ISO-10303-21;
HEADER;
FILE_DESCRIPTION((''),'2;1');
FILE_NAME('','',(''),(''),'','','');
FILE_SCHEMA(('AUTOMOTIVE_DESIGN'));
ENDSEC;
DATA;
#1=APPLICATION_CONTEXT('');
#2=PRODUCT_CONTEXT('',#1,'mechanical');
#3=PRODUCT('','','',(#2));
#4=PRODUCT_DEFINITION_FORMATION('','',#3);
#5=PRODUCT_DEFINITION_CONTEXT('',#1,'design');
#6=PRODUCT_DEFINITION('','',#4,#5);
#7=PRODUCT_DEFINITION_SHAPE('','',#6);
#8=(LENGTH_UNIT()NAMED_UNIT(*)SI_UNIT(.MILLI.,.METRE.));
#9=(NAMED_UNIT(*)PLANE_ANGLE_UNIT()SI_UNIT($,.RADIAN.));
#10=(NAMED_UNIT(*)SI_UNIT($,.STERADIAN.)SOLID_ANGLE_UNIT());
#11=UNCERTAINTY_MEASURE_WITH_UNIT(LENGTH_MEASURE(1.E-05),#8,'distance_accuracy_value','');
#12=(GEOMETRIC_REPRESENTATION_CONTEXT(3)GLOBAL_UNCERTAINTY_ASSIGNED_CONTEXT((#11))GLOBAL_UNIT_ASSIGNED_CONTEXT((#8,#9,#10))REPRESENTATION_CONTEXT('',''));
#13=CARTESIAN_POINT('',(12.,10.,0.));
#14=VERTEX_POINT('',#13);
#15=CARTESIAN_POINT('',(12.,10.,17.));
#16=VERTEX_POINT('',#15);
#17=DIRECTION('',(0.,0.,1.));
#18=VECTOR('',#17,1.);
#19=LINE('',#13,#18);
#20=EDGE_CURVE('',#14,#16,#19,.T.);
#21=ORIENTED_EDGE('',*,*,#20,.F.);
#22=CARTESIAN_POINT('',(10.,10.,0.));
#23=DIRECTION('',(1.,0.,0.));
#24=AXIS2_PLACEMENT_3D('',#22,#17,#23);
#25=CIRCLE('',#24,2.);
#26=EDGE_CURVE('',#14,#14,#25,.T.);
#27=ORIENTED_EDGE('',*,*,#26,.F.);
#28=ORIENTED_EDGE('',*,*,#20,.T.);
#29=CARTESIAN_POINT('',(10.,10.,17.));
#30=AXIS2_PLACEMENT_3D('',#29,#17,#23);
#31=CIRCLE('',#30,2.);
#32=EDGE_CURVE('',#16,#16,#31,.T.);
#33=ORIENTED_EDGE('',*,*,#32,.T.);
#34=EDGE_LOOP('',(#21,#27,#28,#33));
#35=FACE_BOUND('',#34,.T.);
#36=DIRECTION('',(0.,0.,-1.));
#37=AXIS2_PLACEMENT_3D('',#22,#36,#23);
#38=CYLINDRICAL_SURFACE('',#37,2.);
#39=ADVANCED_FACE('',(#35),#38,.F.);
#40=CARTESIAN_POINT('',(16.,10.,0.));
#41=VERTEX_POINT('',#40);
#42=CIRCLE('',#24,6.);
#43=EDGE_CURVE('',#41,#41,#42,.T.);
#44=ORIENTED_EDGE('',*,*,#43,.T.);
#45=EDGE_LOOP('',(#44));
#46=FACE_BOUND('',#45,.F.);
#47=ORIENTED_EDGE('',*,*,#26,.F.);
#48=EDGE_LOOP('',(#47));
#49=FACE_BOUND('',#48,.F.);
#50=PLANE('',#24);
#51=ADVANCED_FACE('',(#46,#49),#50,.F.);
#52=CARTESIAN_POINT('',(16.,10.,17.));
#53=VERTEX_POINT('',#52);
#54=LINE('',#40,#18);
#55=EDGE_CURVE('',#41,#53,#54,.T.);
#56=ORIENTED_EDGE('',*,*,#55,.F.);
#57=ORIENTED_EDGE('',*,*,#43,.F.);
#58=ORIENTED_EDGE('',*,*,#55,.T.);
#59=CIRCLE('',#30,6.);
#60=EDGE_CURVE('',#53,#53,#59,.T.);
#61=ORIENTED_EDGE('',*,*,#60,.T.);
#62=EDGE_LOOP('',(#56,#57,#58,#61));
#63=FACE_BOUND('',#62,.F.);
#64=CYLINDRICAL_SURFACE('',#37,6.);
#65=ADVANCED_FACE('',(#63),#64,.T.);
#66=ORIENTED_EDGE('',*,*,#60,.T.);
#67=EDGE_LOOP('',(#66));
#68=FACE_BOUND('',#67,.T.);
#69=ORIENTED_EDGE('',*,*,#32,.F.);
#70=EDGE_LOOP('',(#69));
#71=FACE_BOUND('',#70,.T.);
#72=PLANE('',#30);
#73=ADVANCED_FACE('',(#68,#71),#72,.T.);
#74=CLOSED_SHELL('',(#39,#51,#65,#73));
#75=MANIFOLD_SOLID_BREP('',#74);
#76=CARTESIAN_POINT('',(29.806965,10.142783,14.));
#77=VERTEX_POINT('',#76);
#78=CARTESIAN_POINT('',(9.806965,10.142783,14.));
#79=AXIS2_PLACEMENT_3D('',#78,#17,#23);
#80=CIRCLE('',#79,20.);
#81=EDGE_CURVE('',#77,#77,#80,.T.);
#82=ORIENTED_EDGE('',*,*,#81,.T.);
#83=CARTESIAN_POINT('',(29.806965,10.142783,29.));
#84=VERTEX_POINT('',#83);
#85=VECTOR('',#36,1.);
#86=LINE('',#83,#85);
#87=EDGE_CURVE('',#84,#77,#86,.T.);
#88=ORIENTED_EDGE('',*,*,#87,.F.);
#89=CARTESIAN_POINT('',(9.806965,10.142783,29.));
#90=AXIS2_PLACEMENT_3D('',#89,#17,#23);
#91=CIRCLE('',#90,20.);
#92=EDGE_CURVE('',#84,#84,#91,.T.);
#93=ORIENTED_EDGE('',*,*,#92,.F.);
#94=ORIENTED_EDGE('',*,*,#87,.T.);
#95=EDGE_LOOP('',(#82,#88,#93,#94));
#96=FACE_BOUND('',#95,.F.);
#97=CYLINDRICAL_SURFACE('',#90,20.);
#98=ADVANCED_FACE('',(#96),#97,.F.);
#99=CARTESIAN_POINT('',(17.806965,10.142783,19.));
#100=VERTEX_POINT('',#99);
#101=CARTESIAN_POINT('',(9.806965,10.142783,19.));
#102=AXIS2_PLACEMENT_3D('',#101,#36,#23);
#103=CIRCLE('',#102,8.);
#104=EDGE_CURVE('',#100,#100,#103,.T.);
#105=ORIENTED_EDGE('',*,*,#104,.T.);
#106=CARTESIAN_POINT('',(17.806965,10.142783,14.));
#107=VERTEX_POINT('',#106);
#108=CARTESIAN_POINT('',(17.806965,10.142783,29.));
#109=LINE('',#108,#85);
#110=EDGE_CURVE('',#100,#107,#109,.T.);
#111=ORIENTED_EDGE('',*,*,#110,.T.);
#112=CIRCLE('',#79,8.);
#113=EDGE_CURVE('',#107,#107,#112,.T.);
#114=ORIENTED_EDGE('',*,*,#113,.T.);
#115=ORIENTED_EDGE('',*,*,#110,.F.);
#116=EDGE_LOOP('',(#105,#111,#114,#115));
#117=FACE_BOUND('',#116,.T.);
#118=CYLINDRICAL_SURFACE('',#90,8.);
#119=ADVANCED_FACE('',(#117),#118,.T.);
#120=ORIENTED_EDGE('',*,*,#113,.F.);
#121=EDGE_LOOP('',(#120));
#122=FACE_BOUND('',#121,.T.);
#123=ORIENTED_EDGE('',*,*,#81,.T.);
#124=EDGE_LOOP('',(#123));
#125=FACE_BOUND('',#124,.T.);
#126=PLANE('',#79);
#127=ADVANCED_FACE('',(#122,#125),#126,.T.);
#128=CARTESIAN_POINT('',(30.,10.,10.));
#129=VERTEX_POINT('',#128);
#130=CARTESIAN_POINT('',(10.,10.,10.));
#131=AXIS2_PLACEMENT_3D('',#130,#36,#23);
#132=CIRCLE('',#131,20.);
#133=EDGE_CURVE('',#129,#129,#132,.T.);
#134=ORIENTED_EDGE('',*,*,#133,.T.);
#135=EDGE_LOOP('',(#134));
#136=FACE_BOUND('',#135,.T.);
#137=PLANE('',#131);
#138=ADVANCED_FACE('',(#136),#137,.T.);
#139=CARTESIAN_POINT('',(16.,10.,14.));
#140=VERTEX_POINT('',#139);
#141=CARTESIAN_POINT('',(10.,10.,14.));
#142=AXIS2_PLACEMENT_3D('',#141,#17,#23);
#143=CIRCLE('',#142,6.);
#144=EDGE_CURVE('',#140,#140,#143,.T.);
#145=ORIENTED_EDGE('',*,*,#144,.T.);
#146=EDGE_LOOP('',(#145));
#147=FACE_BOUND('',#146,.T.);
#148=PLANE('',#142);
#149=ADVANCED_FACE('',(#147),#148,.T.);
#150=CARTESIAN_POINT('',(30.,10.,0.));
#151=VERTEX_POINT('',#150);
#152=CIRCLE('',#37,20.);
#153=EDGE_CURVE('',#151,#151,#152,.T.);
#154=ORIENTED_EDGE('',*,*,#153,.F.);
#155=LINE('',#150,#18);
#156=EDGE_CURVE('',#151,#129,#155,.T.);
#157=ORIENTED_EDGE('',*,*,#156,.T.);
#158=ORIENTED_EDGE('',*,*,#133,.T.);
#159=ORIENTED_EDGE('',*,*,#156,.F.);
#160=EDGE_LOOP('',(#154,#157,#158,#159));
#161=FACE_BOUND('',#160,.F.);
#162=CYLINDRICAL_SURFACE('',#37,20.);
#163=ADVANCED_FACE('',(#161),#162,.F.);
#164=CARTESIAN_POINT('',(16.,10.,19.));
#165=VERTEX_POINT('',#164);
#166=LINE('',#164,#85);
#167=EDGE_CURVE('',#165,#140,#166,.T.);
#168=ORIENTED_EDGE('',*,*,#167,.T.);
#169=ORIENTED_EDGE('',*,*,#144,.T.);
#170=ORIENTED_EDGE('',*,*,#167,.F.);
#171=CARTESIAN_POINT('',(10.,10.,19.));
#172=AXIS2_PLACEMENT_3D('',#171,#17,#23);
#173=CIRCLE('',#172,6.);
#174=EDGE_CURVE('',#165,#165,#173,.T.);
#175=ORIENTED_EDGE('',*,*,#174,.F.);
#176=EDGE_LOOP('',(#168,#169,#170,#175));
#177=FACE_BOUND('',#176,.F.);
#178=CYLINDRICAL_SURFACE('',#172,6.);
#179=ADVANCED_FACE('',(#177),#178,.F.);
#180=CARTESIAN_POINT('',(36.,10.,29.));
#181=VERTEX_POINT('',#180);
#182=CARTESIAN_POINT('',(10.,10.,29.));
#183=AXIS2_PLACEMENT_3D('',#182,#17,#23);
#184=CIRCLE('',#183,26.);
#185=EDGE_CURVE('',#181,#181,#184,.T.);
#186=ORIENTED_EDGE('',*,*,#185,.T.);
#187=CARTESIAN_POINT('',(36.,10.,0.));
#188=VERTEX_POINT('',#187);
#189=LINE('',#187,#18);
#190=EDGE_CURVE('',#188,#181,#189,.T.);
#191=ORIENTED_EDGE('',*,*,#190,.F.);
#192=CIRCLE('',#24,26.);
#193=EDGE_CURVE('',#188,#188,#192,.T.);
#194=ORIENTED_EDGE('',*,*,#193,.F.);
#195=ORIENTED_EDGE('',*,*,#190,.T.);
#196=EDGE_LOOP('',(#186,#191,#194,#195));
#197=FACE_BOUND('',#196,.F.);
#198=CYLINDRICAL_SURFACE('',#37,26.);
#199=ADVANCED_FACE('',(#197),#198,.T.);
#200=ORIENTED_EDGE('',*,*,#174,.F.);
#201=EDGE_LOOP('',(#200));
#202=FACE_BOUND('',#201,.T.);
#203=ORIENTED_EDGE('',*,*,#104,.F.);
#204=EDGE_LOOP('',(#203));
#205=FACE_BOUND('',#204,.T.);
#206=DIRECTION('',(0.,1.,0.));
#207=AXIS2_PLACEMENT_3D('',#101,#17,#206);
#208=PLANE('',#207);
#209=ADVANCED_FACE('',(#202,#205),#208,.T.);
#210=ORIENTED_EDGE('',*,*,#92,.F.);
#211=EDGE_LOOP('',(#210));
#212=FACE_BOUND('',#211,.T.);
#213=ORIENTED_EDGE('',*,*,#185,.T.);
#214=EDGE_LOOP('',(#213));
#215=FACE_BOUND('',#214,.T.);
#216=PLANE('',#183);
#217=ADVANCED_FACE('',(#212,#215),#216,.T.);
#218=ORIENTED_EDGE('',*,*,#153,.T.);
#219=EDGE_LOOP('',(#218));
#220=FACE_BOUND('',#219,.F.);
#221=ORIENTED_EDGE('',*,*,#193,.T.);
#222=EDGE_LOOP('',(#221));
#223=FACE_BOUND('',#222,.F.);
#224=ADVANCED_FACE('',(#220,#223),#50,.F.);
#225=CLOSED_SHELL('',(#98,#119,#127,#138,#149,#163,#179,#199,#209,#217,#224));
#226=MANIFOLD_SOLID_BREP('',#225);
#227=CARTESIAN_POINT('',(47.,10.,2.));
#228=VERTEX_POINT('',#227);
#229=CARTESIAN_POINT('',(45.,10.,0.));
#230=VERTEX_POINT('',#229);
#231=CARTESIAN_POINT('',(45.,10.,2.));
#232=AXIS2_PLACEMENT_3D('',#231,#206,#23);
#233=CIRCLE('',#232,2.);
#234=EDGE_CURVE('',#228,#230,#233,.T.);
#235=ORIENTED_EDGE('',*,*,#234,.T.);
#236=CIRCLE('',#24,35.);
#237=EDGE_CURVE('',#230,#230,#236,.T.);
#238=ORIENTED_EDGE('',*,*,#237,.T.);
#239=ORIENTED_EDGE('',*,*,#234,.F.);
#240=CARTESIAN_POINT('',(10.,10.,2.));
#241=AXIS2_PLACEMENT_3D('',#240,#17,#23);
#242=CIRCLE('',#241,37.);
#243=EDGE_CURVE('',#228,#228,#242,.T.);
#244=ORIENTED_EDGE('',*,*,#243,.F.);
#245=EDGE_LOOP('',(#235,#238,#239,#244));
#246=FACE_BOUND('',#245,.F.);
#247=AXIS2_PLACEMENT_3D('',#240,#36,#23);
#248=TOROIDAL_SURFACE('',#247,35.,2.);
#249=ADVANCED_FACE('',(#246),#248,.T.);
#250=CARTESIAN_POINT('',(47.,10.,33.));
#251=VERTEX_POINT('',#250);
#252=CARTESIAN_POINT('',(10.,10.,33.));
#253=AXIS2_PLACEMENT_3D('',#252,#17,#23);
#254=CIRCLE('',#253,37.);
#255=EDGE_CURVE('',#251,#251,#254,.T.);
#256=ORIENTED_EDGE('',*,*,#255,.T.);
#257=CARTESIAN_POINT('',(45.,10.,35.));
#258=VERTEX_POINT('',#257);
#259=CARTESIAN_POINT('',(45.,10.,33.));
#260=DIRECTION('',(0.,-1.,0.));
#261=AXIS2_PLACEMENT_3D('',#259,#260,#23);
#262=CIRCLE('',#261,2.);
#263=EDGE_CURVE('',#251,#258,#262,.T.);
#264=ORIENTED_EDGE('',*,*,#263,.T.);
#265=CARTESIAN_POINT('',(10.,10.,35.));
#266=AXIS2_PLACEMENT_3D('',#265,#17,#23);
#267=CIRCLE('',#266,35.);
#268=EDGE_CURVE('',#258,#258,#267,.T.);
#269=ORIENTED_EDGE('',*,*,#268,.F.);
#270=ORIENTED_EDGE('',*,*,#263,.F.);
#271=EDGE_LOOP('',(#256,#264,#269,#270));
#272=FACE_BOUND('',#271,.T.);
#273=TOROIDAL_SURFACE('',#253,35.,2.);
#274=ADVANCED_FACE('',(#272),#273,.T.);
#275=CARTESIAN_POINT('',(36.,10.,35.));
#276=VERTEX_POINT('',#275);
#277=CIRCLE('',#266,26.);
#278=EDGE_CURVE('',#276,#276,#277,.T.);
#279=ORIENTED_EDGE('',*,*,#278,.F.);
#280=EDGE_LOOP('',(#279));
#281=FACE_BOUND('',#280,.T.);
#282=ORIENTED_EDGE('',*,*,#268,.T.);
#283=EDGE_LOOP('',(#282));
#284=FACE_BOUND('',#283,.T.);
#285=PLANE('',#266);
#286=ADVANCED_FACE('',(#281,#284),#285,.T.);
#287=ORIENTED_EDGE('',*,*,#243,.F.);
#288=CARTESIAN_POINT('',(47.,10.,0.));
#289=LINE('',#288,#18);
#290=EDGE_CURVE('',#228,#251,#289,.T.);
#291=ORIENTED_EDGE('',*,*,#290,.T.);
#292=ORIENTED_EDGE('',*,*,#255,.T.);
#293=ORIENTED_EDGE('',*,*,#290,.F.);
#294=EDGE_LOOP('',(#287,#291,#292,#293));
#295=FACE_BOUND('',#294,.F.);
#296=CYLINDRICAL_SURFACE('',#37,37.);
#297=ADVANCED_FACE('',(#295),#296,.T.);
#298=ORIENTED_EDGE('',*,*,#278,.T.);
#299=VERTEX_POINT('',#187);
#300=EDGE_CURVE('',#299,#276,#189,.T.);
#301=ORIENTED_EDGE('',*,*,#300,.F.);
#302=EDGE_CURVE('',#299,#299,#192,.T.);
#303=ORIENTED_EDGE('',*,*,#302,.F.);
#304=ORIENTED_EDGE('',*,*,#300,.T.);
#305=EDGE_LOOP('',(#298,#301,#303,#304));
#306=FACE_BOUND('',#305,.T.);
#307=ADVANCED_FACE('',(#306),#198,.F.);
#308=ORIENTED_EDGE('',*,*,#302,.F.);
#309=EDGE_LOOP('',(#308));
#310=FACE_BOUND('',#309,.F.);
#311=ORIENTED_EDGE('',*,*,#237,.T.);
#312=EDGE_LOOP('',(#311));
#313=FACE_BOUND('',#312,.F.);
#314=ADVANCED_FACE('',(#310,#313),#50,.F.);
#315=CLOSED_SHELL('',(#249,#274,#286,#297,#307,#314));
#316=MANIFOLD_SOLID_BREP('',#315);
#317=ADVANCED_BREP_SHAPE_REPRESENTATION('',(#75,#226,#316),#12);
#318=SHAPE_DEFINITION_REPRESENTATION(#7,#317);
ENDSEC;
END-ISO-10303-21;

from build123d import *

# Parameters (mm, degrees)
SKETCH_R          = 37
SKETCH_R_2        = 26
PAD_DEPTH         = 35
FILLET_R          = 2
SKETCH001_R       = 26
PAD001_DEPTH      = 29
SKETCH002_R       = 20
SKETCH002_R_2     = 8
POCKET_DEPTH      = 15
SKETCH003_R       = 20
POCKET001_DEPTH   = 10
POCKET001_FACE9_R = 8
POCKET002_DEPTH   = 10
SKETCH004_R       = 6
POCKET003_DEPTH   = 5
SKETCH005_R       = 6
SKETCH005_R_2     = 2
PAD002_DEPTH      = 17


with BuildPart() as outer_rubber:
    # Sketch → Pad (new body)
    with BuildSketch(Plane.XY):
        with Locations((10, 10)):
            Circle(SKETCH_R)
        with Locations((10, 10)):
            Circle(SKETCH_R_2, mode=Mode.SUBTRACT)
    extrude(amount=PAD_DEPTH)

    # Fillet
    fillet_edges = [outer_rubber.edges().sort_by_distance(p)[0] for p in [
        (-27, 10, 35),
        (-27, 10, 0),
    ]]
    fillet(fillet_edges, radius=FILLET_R)


with BuildPart() as rim:
    # Sketch001 → Pad001 (new body)
    with BuildSketch(Plane.XY):
        with Locations((10, 10)):
            Circle(SKETCH001_R)
    extrude(amount=PAD001_DEPTH)

    # Sketch002 (on Face3 of Pad001) → Pocket (cut)
    with BuildSketch(Plane.XY.offset(29)):
        with Locations((9.806965, 10.142783)):
            Circle(SKETCH002_R)
        with Locations((9.806965, 10.142783)):
            Circle(SKETCH002_R_2, mode=Mode.SUBTRACT)
    extrude(amount=-POCKET_DEPTH, mode=Mode.SUBTRACT)

    # Sketch003 (on Face2 of Pocket) → Pocket001 (cut)
    with BuildSketch(Plane(origin=(0, 0, 0), x_dir=(1, 0, 0), z_dir=(0, 0, -1))):
        with Locations((10, -10)):
            Circle(SKETCH003_R)
    extrude(amount=-POCKET001_DEPTH, mode=Mode.SUBTRACT)

    # Pocket001 Face9 → Pocket002 (cut)
    with BuildSketch(Plane(origin=(9.806965, 10.142783, 29), x_dir=(0, 1, 0), z_dir=(0, 0, 1))):
        Circle(POCKET001_FACE9_R)
    extrude(amount=-POCKET002_DEPTH, mode=Mode.SUBTRACT)

    # Sketch004 (on Face9 of Pocket002) → Pocket003 (cut)
    with BuildSketch(Plane.XY.offset(19)):
        with Locations((10, 10)):
            Circle(SKETCH004_R)
    extrude(amount=-POCKET003_DEPTH, mode=Mode.SUBTRACT)


with BuildPart() as coupler:
    # Sketch005 → Pad002 (new body)
    with BuildSketch(Plane.XY):
        with Locations((10, 10)):
            Circle(SKETCH005_R)
        with Locations((10, 10)):
            Circle(SKETCH005_R_2, mode=Mode.SUBTRACT)
    extrude(amount=PAD002_DEPTH)


solid = Compound([outer_rubber.part, rim.part, coupler.part])
